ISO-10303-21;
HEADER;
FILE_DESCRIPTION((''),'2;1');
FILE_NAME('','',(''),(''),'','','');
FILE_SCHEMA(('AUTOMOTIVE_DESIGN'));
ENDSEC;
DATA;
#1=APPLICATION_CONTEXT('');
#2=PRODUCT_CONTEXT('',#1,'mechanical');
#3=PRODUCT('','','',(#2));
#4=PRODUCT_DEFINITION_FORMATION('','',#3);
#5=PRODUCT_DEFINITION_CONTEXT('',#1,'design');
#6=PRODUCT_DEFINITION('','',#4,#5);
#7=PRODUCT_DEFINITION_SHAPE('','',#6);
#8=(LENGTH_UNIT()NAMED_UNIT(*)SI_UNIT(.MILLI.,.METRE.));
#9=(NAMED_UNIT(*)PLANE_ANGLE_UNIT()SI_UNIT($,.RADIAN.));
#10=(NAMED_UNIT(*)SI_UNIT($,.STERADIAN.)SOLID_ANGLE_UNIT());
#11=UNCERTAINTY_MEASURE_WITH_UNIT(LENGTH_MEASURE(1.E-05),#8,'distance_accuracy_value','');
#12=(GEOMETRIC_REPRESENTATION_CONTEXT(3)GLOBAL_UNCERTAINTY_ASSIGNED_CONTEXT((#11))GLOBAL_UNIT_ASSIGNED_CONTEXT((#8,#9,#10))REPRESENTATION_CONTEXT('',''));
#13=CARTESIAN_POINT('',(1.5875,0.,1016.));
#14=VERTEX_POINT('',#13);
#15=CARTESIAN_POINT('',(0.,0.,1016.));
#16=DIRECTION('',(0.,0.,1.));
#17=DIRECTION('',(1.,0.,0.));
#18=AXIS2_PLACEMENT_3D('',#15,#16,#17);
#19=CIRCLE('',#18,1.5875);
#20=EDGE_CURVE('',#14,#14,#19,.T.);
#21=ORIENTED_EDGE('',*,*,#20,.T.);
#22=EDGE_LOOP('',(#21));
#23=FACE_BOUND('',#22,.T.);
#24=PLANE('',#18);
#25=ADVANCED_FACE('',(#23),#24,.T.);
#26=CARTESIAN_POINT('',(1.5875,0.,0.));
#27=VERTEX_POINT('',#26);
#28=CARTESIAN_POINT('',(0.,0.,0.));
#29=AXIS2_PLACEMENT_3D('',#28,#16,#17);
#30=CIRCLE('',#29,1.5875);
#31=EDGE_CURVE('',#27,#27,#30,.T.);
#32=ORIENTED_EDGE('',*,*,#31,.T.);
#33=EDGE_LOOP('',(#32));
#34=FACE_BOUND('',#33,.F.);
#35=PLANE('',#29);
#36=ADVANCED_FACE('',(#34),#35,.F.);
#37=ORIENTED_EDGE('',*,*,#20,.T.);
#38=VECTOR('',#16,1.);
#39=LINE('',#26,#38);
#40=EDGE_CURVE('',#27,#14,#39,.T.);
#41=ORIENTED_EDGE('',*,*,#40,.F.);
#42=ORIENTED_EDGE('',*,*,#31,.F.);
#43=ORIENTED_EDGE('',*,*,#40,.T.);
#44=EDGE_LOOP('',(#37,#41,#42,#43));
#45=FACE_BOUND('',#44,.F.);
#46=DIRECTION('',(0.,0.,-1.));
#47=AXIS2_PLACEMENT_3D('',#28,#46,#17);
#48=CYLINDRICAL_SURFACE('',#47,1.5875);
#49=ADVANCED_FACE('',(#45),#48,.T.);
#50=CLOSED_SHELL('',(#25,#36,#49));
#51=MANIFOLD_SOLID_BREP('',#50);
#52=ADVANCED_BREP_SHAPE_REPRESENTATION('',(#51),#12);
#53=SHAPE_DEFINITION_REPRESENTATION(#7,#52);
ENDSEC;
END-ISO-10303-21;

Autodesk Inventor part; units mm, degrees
ref_plane "YZ Plane" through (0, 0, 0) normal (1, 0, 0) x (0, 1, 0)
ref_plane "XZ Plane" through (0, 0, 0) normal (0, 1, 0) x (-1, 0, 0)
ref_plane "XY Plane" through (0, 0, 0) normal (0, 0, 1) x (1, 0, 0)
sketch "Sketch1" plane through (0, 0, 0) normal (0, 0, 1) x (1, 0, 0)
  circle A0 centre (0, 0) radius 1.5875
  dimension "d0" = 3.175
extrude "Extrusion1" add sketch "Sketch1" along normal blind 1016
properties part number "steel cable support"
